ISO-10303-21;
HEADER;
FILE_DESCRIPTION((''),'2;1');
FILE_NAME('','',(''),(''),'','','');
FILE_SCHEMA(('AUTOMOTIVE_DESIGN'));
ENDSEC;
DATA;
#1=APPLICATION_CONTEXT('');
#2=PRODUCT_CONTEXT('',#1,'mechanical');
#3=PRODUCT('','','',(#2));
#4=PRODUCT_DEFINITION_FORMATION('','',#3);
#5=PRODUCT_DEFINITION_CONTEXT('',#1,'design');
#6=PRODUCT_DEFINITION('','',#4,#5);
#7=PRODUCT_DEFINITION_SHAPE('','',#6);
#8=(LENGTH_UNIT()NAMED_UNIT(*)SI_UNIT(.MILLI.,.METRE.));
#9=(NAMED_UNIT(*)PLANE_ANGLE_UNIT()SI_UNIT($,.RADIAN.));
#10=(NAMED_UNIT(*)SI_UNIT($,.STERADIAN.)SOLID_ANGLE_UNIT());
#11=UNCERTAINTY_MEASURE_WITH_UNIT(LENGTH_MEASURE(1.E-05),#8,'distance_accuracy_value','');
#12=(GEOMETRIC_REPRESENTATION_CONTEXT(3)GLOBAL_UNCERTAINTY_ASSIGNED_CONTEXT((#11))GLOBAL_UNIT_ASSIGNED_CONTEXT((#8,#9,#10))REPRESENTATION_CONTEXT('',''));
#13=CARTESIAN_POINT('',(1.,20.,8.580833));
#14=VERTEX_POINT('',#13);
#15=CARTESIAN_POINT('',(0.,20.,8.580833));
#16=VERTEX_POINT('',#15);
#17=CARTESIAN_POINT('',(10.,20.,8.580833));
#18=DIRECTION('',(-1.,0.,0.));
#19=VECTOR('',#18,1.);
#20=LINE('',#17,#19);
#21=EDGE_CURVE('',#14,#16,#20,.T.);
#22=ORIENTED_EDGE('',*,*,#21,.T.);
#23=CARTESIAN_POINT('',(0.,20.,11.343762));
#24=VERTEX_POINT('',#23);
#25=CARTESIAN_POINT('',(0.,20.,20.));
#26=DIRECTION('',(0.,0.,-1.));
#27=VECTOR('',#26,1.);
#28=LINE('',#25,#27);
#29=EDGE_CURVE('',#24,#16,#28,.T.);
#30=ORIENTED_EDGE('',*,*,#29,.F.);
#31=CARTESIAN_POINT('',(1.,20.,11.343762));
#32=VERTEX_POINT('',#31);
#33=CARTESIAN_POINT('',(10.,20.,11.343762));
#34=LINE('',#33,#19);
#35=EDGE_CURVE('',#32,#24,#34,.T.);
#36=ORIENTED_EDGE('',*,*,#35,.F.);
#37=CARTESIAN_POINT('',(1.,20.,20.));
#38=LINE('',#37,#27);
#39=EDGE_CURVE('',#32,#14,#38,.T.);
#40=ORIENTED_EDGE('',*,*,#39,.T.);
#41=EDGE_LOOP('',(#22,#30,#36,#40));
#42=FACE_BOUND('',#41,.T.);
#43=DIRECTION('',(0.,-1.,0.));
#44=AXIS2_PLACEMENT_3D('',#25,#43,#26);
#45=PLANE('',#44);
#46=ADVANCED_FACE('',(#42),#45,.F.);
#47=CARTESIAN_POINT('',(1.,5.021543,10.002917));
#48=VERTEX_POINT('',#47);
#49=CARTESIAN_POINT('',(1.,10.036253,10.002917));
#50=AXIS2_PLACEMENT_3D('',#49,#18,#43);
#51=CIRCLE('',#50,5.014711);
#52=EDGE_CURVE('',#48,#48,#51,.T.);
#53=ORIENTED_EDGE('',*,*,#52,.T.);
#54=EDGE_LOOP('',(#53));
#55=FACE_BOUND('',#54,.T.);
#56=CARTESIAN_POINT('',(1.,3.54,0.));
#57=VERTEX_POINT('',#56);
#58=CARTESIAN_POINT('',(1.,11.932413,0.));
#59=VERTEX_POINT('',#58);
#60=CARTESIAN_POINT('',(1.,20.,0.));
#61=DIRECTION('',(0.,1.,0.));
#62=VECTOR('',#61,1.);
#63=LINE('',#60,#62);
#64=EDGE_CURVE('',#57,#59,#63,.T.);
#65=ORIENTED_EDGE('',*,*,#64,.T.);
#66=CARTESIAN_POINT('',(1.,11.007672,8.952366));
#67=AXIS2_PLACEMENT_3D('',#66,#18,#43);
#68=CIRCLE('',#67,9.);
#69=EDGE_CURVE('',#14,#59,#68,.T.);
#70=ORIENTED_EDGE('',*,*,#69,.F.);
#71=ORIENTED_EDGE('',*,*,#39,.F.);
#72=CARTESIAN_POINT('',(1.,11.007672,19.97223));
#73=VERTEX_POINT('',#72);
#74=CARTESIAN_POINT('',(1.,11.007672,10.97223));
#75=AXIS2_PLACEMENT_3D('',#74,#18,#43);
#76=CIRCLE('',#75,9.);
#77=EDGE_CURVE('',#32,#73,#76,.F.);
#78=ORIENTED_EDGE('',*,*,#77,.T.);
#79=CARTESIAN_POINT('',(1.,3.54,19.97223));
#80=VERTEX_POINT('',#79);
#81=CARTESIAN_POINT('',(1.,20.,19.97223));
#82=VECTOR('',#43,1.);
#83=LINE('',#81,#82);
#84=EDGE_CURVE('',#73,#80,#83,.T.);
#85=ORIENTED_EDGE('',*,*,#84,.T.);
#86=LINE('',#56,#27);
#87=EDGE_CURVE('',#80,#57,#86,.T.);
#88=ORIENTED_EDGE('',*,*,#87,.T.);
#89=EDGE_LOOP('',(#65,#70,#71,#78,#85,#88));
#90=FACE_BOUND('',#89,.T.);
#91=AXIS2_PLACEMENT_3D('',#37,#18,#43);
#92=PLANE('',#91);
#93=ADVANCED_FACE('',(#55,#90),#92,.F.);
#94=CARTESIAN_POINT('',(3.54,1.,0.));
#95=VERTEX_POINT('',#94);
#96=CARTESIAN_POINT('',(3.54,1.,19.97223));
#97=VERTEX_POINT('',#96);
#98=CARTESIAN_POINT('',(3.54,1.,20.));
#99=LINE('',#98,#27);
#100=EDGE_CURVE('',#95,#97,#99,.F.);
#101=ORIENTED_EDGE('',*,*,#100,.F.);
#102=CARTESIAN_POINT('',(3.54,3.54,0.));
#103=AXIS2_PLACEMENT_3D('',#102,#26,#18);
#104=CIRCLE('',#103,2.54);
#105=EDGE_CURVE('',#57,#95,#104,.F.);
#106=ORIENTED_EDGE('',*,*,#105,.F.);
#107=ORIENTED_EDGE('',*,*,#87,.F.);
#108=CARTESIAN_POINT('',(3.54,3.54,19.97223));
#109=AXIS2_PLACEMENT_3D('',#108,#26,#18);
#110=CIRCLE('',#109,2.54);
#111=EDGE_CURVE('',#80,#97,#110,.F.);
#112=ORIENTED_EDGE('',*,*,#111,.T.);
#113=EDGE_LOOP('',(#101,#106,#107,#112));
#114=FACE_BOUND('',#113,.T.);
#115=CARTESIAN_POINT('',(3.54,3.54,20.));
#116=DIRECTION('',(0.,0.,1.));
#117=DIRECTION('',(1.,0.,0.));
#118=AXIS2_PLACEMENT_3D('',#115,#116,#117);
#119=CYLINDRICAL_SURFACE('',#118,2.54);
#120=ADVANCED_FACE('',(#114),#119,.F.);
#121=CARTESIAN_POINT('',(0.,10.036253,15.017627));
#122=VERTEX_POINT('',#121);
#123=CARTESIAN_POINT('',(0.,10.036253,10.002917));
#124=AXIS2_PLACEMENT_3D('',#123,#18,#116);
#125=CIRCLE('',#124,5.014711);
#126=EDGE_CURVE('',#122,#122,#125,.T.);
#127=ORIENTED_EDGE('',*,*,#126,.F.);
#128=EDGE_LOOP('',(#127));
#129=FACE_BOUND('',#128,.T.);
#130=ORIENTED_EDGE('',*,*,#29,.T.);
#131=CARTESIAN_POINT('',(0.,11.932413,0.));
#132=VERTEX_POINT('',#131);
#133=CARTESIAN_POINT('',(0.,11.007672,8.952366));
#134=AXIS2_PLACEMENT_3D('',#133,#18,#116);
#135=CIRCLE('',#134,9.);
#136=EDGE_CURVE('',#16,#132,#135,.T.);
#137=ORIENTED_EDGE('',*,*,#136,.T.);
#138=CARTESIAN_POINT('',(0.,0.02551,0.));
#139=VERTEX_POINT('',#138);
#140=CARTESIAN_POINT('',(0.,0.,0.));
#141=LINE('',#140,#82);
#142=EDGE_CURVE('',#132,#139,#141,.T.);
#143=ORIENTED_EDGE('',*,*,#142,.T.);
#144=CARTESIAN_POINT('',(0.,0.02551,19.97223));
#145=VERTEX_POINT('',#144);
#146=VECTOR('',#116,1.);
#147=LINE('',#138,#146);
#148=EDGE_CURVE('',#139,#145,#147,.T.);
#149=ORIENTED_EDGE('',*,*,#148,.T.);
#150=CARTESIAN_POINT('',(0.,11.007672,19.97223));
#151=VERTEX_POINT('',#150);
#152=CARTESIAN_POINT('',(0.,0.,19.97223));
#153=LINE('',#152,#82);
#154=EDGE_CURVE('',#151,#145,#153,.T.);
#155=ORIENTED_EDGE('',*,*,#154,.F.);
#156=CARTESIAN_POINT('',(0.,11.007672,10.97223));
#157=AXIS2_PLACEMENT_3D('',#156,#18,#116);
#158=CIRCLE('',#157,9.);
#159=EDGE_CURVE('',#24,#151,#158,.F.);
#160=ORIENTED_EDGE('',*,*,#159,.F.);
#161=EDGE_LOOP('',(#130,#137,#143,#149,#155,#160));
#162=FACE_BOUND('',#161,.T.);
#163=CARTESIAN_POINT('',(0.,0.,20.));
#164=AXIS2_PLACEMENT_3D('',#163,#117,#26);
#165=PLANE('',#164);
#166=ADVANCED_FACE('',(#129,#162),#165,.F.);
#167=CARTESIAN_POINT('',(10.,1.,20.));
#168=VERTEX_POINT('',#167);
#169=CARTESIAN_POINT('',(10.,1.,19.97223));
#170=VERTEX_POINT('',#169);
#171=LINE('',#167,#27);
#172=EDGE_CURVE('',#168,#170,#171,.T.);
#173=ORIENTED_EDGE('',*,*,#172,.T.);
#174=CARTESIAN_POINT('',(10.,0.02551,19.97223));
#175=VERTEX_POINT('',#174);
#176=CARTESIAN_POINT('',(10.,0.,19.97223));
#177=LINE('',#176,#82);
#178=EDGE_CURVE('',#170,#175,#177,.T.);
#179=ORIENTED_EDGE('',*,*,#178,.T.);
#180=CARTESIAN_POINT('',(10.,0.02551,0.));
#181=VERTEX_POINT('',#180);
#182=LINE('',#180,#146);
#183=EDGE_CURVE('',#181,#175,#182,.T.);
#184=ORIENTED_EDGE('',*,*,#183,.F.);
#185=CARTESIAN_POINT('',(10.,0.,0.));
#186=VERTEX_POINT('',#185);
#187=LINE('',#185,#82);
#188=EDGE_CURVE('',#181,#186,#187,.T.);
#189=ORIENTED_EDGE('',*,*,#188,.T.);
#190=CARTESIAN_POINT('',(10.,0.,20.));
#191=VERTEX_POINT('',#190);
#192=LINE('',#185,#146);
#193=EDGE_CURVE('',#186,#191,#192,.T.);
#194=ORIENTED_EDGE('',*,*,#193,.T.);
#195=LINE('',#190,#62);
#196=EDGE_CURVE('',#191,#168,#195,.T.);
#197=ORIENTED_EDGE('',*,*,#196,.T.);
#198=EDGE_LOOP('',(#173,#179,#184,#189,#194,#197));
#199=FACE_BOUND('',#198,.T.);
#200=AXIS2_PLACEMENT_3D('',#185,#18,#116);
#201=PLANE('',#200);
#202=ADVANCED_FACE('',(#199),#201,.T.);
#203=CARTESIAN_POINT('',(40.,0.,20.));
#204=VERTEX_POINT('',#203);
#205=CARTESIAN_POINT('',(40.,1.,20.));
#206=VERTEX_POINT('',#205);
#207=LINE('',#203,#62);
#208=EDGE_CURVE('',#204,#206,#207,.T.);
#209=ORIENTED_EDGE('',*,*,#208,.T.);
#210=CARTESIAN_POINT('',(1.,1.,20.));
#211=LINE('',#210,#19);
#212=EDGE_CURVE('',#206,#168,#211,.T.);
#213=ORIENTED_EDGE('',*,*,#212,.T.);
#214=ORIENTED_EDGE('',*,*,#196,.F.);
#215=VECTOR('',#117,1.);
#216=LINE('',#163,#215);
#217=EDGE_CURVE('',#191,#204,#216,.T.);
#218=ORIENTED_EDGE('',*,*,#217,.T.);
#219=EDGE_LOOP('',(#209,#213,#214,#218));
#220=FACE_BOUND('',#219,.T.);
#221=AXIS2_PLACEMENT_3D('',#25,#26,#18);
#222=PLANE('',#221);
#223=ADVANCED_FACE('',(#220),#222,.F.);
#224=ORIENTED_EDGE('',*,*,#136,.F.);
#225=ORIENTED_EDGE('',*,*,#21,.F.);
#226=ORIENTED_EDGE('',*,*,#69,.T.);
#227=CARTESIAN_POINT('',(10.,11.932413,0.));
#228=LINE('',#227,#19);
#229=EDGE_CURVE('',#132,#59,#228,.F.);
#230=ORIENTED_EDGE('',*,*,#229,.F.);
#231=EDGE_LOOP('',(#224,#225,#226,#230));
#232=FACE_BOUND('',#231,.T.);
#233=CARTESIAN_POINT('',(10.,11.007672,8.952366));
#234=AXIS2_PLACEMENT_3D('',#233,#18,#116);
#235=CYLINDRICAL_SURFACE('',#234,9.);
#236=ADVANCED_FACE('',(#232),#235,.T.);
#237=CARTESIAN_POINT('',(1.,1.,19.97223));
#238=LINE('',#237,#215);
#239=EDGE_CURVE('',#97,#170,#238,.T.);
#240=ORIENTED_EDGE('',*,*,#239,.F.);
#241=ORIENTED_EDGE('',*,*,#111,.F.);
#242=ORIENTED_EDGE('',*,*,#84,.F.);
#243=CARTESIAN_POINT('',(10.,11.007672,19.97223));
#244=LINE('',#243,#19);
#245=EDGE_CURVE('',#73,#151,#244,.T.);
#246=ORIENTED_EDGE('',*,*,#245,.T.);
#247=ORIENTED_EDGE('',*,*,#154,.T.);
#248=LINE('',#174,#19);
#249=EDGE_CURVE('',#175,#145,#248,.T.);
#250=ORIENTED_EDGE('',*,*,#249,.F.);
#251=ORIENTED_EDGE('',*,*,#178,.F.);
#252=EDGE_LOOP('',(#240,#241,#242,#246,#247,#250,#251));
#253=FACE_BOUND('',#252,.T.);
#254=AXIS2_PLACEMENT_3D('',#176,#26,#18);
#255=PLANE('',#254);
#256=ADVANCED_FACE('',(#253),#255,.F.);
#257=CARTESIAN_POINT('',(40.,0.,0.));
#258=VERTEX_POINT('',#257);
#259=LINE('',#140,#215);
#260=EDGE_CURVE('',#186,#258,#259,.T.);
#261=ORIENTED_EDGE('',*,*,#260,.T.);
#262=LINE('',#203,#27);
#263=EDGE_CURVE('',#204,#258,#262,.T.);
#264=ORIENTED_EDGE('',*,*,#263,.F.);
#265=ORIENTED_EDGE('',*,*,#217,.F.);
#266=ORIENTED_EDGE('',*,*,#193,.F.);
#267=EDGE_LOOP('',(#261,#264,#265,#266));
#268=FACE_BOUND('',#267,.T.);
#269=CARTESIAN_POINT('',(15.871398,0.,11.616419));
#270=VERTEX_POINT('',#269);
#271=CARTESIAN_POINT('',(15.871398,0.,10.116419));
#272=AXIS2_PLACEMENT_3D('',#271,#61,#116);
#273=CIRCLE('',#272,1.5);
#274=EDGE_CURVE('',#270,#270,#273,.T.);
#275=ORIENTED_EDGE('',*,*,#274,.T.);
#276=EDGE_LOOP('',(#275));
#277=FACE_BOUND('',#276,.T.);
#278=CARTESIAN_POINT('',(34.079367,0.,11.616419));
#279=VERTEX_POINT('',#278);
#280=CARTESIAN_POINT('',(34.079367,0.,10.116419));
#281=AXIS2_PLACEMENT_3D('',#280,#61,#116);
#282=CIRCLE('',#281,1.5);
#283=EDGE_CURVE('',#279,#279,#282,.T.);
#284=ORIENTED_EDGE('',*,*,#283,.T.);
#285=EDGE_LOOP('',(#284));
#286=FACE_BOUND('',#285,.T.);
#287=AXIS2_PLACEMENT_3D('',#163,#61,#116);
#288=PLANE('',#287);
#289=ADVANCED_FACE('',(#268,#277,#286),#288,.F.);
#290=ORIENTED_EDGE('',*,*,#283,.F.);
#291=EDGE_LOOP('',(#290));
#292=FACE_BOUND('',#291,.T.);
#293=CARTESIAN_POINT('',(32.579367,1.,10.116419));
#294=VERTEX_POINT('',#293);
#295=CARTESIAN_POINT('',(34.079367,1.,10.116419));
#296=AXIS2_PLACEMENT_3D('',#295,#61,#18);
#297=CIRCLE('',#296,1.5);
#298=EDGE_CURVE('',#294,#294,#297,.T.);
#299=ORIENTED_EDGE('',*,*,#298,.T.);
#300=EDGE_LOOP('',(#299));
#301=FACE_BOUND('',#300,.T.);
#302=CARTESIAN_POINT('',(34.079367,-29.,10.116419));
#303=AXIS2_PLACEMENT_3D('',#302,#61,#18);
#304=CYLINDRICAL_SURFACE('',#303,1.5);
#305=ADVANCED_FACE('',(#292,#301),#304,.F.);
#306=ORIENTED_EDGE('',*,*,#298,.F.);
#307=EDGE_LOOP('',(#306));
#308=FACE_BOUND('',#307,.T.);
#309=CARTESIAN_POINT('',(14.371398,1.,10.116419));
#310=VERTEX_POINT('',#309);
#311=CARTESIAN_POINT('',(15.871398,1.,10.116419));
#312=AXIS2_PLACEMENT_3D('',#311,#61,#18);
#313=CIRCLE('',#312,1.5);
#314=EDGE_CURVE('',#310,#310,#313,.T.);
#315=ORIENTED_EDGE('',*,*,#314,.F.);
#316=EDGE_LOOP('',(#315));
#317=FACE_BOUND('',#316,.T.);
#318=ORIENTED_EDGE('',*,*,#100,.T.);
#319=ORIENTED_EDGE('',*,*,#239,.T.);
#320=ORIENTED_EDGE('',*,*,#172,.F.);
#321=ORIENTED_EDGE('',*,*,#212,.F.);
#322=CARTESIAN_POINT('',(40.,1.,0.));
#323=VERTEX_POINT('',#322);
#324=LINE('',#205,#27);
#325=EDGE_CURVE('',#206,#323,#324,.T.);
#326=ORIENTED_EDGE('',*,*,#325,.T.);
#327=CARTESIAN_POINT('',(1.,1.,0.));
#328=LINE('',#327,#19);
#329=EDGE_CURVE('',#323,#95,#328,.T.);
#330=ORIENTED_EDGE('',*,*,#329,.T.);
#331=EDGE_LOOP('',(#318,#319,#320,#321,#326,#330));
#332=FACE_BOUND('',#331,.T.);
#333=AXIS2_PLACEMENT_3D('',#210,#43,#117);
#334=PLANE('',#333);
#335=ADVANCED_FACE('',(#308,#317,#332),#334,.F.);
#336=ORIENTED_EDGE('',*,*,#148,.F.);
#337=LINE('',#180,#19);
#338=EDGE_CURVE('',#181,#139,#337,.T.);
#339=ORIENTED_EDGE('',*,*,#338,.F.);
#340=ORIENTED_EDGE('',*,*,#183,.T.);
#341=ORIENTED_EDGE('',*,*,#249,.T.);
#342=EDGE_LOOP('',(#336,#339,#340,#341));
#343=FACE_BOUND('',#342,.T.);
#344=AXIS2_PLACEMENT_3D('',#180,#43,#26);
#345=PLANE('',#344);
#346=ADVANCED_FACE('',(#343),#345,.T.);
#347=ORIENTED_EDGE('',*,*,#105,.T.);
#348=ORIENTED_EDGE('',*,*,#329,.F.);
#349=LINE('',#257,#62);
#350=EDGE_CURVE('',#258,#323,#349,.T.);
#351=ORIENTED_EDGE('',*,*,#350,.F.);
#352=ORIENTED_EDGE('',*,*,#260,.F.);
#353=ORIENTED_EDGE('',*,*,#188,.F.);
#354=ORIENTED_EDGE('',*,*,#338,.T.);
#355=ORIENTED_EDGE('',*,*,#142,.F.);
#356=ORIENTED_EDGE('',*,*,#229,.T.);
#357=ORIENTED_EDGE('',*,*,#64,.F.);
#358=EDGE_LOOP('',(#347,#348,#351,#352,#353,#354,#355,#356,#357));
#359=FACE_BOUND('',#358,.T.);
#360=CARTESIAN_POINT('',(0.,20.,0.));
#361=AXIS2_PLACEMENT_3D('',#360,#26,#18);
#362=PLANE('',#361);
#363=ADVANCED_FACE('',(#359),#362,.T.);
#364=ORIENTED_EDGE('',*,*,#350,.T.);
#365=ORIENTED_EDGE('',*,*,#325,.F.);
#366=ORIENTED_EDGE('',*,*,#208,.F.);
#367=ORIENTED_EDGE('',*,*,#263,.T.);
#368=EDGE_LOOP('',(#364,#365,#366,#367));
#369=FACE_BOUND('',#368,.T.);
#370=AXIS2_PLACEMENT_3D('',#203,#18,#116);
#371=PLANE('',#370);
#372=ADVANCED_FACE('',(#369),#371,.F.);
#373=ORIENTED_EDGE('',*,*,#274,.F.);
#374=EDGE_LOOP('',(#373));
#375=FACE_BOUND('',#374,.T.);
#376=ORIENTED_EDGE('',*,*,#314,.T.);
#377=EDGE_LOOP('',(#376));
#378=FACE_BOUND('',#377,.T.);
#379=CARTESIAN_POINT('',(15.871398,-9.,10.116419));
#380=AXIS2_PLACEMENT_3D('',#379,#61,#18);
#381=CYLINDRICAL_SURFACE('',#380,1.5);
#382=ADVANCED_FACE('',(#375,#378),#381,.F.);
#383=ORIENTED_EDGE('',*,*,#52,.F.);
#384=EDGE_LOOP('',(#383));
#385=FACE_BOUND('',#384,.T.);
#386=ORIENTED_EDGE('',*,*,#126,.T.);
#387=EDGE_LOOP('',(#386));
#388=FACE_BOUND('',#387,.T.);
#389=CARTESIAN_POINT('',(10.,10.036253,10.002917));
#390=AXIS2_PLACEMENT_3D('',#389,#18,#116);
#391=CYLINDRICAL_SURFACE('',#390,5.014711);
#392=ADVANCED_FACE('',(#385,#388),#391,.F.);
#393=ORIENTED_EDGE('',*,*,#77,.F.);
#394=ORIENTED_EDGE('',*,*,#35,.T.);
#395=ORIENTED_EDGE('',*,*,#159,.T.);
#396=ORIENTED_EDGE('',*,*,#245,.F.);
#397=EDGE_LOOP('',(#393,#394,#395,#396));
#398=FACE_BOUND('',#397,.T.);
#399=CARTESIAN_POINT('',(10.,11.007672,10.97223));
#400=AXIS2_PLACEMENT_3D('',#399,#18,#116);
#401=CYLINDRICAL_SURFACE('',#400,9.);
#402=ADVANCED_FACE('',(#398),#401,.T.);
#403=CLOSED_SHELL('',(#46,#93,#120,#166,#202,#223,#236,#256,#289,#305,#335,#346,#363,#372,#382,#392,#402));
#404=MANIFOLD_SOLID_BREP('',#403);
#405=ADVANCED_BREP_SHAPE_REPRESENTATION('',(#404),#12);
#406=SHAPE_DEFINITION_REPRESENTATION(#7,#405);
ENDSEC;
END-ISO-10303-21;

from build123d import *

# Parameters (mm, degrees)
EXTRUDE1_DEPTH     = 20
FILLET1_R          = 2.54
SKETCH8_R          = 5.014710823
CUT_EXTRUDE2_DEPTH = 10
CUT_EXTRUDE5_DEPTH = 10
CUT_EXTRUDE6_DEPTH = 10
CUT_EXTRUDE7_DEPTH = 30


with BuildPart() as part:
    # Sketch1 → Extrude1 (new body)
    with BuildSketch(Plane.XY):
        Polygon((1, 20), (1, 1), (40, 1), (40, 0), (0, 0), (0, 20), align=None)
    extrude(amount=EXTRUDE1_DEPTH)

    # Fillet1
    fillet1_edges = [part.edges().sort_by_distance(p)[0] for p in [
        (1, 1, 10),
    ]]
    fillet(fillet1_edges, radius=FILLET1_R)

    # Sketch8 → Cut-Extrude2 (cut)
    with BuildSketch(Plane.ZY):
        with Locations((10.002916517, 10.036253446)):
            Circle(SKETCH8_R)
    extrude(amount=-CUT_EXTRUDE2_DEPTH, mode=Mode.SUBTRACT)

    # Sketch9 → Cut-Extrude5 (cut)
    with BuildSketch(Plane.ZY):
        with BuildLine():
            Line((20, 20), (11.343762255, 20))
            ThreePointArc((11.343762255, 20), (17.466219012, 17.238892052), (19.972229781, 11.007671958))
            Line((19.972229781, 11.007671958), (19.972229781, 0.025510204))
            Line((19.972229781, 0.025510204), (0, 0.025510204))
            Line((0, 0.025510204), (0, 0))
            Line((0, 0), (20, 0))
            Line((20, 0), (20, 12.992821057))
            Line((20, 12.992821057), (20, 20))
        make_face()
        with BuildLine():
            ThreePointArc((0, 11.932412977), (2.787525204, 17.564709397), (8.580833361, 20))
            Line((8.580833361, 20), (0, 20))
            Line((0, 20), (0, 11.932412977))
        make_face()
    extrude(amount=-CUT_EXTRUDE5_DEPTH, mode=Mode.SUBTRACT)

    # Sketch10 → Cut-Extrude6 (cut)
    with BuildSketch(Plane(origin=(0, 1, 0), x_dir=(1, 0, 0), z_dir=(0, 1, 0))):
        with BuildLine():
            ThreePointArc((17.371397646, -10.116419243), (14.371398672, -10.114665052), (17.371393543, -10.119927624))
            ThreePointArc((17.371393543, -10.119927624), (17.37139662, -10.118173435), (17.371397646, -10.116419243))
        make_face()
    extrude(amount=-CUT_EXTRUDE6_DEPTH, mode=Mode.SUBTRACT)

    # Sketch11 → Cut-Extrude7 (cut)
    with BuildSketch(Plane(origin=(0, 1, 0), x_dir=(1, 0, 0), z_dir=(0, 1, 0))):
        with BuildLine():
            ThreePointArc((32.579372789, -10.112355136), (34.077335228, -11.616417867), (35.579367283, -10.116419243))
            ThreePointArc((35.579367283, -10.116419243), (34.081399338, -8.61642062), (32.579372789, -10.112355136))
        make_face()
    extrude(amount=-CUT_EXTRUDE7_DEPTH, mode=Mode.SUBTRACT)


solid = part.part
